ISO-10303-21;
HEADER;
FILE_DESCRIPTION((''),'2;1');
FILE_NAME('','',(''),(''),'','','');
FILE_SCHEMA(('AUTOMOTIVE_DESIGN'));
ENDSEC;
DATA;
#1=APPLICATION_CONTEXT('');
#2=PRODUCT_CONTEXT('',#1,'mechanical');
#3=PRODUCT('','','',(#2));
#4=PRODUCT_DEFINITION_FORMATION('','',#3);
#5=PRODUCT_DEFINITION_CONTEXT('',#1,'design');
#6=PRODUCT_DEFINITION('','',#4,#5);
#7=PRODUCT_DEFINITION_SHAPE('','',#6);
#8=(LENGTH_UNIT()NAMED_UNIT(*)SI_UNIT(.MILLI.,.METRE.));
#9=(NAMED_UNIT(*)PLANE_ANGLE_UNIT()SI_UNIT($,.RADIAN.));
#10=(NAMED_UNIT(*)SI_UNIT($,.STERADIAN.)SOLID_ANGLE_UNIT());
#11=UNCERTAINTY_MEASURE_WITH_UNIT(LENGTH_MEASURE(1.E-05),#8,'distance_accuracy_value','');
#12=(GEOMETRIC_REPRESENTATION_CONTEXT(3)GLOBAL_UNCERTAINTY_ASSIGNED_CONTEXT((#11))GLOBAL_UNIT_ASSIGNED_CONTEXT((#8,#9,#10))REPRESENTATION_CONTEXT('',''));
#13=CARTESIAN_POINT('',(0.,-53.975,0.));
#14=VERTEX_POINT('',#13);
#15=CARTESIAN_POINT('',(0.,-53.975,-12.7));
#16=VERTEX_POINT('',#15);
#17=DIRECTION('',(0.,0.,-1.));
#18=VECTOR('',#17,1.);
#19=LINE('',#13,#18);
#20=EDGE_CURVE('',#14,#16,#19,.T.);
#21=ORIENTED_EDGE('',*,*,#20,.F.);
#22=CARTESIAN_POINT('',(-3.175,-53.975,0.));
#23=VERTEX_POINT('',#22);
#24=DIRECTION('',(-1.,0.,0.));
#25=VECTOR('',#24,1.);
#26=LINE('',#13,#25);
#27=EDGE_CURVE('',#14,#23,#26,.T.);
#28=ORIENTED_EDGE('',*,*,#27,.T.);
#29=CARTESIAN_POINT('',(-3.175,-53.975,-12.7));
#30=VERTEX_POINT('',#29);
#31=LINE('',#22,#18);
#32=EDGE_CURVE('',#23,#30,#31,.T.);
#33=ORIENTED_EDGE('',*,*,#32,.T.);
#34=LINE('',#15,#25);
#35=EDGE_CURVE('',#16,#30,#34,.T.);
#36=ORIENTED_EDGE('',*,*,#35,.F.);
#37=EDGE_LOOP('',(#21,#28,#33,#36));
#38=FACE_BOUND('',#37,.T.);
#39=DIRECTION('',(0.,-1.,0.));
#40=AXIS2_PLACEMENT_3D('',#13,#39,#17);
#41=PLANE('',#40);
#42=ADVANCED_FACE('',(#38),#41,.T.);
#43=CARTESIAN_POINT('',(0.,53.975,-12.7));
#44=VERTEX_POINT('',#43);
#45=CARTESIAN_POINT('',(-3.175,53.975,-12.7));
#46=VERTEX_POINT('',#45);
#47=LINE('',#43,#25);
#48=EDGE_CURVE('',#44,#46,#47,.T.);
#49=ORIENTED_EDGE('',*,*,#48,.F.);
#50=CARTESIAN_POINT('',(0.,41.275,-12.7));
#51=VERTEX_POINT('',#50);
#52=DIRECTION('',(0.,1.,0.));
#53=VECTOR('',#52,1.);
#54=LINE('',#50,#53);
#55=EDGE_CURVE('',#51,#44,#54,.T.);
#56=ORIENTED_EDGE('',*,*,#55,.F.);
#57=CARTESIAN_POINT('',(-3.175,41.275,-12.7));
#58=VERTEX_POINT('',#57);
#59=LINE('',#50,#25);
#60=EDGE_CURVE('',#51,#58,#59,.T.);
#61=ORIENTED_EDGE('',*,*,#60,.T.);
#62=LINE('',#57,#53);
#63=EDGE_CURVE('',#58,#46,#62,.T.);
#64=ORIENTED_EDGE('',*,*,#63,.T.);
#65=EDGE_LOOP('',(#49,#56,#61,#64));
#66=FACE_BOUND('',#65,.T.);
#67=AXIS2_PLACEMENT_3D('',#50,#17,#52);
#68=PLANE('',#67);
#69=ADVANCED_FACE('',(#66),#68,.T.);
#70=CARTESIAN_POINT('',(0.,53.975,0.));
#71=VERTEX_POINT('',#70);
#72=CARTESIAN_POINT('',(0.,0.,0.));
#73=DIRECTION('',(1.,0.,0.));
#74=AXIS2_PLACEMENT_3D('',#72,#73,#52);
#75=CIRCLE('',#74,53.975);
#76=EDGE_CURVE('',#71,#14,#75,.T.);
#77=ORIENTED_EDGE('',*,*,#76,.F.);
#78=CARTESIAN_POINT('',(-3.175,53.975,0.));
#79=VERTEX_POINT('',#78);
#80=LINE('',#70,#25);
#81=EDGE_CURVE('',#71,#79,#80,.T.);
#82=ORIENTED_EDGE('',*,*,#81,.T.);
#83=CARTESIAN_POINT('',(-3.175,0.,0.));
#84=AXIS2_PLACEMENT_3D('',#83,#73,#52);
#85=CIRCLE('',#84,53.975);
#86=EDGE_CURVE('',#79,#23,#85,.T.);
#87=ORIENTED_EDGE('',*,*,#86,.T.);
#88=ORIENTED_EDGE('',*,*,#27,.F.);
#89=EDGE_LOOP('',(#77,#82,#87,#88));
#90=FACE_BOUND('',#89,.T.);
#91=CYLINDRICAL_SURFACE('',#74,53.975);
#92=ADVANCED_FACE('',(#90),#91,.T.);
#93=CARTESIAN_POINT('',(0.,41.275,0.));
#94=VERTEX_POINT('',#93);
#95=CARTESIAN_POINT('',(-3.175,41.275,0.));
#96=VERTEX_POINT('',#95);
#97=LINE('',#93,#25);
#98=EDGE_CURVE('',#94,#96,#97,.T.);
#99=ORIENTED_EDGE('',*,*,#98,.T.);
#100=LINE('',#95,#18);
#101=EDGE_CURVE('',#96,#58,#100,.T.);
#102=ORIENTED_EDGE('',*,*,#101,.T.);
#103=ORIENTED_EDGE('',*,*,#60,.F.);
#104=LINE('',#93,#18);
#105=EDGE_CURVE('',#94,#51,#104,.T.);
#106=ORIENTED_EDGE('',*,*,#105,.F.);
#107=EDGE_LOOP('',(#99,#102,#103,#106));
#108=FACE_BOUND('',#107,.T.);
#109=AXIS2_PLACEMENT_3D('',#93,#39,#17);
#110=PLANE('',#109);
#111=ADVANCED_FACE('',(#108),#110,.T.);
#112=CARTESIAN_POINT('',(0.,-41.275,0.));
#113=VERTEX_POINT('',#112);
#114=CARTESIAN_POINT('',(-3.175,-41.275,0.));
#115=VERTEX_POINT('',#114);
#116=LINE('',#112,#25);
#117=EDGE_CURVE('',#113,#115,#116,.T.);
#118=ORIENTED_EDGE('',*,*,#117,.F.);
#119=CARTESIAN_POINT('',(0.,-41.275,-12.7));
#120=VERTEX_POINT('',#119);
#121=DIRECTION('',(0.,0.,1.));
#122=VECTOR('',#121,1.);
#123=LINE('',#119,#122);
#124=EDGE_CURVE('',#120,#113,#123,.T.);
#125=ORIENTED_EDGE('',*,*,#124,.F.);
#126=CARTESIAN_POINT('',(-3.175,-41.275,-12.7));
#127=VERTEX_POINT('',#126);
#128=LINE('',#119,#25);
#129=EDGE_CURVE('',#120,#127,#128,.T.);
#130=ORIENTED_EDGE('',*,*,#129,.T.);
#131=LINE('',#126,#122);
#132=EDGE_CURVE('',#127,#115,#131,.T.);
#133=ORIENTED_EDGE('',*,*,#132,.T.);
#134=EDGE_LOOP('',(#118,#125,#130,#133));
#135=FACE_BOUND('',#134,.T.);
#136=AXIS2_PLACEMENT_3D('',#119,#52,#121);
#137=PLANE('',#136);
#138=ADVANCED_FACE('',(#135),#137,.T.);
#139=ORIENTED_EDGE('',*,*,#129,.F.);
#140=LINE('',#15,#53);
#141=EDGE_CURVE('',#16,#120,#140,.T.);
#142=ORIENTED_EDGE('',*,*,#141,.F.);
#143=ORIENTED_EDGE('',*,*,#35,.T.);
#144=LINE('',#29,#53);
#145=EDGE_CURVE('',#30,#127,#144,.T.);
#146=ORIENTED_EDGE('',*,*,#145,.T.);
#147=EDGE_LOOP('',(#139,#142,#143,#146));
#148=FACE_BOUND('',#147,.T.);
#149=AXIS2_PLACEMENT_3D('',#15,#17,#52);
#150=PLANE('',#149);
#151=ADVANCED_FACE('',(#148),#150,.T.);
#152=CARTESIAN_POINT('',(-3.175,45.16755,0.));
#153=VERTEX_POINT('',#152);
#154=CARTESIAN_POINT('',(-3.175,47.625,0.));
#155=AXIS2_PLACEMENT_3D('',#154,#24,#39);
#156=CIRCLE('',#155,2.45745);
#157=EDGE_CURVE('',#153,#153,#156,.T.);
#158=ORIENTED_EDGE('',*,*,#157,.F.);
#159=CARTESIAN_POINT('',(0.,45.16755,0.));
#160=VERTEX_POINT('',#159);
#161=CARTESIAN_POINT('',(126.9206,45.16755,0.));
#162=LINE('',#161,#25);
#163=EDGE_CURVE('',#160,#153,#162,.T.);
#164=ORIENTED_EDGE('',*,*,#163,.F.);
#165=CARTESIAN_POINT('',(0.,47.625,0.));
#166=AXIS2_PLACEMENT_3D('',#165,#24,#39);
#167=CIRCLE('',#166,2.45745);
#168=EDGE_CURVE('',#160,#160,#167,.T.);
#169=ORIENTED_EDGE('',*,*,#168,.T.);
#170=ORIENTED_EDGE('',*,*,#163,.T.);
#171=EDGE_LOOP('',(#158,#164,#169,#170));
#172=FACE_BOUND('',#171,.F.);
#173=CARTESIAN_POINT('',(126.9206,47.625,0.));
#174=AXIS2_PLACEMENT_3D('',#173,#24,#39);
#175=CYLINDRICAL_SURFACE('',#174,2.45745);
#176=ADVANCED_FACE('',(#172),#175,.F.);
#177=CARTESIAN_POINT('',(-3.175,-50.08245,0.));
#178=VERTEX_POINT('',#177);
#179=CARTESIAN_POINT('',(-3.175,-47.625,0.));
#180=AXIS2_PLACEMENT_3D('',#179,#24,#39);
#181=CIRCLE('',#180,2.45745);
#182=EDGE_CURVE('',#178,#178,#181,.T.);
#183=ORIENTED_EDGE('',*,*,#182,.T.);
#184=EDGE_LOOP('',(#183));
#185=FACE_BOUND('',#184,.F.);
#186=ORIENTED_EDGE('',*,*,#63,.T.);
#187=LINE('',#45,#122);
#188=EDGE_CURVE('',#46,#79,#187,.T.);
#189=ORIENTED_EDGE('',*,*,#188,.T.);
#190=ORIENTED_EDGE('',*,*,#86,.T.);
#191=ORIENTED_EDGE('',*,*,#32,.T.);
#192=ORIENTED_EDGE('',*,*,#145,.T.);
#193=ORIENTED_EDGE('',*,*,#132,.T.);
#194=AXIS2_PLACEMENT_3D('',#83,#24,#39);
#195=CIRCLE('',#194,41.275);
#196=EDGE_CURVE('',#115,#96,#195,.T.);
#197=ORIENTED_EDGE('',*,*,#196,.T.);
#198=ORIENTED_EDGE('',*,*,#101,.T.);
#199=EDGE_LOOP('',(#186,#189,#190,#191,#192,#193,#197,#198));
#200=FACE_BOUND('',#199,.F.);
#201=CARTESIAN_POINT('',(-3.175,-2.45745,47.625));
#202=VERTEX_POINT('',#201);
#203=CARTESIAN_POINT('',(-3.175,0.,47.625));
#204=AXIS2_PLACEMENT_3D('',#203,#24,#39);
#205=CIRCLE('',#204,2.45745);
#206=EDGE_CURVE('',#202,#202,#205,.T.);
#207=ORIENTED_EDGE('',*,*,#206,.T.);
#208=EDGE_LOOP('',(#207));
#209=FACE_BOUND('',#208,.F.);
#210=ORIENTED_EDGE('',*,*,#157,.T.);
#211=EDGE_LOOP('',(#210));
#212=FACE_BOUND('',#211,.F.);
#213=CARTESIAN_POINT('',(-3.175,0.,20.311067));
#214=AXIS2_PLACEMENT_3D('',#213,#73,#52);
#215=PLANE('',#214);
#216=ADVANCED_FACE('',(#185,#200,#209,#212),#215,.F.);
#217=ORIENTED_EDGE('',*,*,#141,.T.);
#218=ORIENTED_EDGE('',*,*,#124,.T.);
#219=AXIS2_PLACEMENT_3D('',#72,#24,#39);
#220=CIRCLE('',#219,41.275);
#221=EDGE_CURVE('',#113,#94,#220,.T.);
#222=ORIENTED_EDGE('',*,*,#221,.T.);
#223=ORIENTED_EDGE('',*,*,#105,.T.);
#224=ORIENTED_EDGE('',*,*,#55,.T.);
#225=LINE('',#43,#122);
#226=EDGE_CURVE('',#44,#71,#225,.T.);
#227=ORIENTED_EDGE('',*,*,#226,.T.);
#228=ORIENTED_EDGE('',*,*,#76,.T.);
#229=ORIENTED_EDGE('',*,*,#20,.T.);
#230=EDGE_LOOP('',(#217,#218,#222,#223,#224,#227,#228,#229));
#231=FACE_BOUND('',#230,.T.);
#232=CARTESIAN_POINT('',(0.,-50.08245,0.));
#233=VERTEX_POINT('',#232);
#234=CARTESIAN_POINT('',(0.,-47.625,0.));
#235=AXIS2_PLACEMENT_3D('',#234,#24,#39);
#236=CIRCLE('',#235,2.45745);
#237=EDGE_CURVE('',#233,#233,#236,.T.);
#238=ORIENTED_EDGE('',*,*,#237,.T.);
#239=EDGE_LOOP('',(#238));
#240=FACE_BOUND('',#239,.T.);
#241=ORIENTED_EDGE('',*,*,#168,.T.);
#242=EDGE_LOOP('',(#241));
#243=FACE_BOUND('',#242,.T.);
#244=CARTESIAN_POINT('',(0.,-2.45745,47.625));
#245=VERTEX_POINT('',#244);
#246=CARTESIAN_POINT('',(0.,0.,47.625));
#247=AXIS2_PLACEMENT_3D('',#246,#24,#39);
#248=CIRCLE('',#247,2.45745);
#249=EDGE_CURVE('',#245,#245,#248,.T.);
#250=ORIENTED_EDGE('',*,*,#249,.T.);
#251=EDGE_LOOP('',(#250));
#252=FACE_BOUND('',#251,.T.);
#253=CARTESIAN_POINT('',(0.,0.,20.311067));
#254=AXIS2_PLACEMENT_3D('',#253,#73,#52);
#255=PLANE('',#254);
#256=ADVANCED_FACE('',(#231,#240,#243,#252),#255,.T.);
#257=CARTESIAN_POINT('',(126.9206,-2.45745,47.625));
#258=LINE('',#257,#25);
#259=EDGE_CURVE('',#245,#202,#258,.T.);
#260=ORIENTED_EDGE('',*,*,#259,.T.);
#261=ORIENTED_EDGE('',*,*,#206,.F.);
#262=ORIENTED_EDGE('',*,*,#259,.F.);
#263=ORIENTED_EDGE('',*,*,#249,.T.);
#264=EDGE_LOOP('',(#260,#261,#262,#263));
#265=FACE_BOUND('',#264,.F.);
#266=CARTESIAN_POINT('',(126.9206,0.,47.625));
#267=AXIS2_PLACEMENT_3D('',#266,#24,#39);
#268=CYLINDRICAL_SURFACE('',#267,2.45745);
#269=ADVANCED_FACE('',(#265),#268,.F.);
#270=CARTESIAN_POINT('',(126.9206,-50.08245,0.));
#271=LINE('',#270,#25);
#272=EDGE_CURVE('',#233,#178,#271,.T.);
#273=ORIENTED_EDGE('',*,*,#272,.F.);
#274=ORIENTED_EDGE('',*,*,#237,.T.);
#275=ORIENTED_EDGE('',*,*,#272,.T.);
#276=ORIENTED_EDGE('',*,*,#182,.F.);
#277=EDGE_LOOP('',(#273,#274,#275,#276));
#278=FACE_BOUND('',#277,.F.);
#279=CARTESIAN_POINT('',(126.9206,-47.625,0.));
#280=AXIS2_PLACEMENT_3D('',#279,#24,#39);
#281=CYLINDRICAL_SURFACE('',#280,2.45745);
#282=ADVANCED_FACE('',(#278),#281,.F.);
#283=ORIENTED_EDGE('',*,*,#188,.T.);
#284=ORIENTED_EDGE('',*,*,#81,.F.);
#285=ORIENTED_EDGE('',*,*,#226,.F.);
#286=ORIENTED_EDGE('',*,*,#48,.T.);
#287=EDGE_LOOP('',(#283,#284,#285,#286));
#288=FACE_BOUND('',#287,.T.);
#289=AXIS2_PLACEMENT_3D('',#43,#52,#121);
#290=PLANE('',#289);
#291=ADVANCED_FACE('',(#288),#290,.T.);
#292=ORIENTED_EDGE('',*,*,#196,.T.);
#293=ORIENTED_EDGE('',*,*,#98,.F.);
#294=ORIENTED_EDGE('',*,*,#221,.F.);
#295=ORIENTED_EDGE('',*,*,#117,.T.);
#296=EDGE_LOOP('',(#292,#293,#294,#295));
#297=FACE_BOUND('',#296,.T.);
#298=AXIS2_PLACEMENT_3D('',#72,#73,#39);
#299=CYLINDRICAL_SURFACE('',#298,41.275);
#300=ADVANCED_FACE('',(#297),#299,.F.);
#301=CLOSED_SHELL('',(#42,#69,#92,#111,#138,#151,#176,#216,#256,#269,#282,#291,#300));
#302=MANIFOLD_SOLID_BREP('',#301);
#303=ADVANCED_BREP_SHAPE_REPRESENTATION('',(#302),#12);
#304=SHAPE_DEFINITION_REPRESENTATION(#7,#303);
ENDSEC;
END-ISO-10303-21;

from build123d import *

# Parameters (mm, degrees)
F1_DEPTH = 3.175
F2_D     = 4.9149


with BuildPart() as f1:
    # F0 (on Right) → F1 (new body)
    with BuildSketch(Plane.YZ):
        with BuildLine():
            ThreePointArc((-41.275, 0), (0, 41.275), (41.275, 0))
            Line((41.275, 0), (41.275, -12.7))
            Line((41.275, -12.7), (53.975, -12.7))
            Line((53.975, -12.7), (53.975, 0))
            ThreePointArc((53.975, 0), (0, 53.975), (-53.975, 0))
            Line((-53.975, 0), (-53.975, -12.7))
            Line((-53.975, -12.7), (-41.275, -12.7))
            Line((-41.275, -12.7), (-41.275, 0))
        make_face()
    extrude(amount=-F1_DEPTH)

    # F2 (through all)
    with Locations(Plane.YZ):
        with Locations((-47.625, 0), (0, 47.625), (47.625, 0)):
            Hole(F2_D / 2)


solid = f1.part
